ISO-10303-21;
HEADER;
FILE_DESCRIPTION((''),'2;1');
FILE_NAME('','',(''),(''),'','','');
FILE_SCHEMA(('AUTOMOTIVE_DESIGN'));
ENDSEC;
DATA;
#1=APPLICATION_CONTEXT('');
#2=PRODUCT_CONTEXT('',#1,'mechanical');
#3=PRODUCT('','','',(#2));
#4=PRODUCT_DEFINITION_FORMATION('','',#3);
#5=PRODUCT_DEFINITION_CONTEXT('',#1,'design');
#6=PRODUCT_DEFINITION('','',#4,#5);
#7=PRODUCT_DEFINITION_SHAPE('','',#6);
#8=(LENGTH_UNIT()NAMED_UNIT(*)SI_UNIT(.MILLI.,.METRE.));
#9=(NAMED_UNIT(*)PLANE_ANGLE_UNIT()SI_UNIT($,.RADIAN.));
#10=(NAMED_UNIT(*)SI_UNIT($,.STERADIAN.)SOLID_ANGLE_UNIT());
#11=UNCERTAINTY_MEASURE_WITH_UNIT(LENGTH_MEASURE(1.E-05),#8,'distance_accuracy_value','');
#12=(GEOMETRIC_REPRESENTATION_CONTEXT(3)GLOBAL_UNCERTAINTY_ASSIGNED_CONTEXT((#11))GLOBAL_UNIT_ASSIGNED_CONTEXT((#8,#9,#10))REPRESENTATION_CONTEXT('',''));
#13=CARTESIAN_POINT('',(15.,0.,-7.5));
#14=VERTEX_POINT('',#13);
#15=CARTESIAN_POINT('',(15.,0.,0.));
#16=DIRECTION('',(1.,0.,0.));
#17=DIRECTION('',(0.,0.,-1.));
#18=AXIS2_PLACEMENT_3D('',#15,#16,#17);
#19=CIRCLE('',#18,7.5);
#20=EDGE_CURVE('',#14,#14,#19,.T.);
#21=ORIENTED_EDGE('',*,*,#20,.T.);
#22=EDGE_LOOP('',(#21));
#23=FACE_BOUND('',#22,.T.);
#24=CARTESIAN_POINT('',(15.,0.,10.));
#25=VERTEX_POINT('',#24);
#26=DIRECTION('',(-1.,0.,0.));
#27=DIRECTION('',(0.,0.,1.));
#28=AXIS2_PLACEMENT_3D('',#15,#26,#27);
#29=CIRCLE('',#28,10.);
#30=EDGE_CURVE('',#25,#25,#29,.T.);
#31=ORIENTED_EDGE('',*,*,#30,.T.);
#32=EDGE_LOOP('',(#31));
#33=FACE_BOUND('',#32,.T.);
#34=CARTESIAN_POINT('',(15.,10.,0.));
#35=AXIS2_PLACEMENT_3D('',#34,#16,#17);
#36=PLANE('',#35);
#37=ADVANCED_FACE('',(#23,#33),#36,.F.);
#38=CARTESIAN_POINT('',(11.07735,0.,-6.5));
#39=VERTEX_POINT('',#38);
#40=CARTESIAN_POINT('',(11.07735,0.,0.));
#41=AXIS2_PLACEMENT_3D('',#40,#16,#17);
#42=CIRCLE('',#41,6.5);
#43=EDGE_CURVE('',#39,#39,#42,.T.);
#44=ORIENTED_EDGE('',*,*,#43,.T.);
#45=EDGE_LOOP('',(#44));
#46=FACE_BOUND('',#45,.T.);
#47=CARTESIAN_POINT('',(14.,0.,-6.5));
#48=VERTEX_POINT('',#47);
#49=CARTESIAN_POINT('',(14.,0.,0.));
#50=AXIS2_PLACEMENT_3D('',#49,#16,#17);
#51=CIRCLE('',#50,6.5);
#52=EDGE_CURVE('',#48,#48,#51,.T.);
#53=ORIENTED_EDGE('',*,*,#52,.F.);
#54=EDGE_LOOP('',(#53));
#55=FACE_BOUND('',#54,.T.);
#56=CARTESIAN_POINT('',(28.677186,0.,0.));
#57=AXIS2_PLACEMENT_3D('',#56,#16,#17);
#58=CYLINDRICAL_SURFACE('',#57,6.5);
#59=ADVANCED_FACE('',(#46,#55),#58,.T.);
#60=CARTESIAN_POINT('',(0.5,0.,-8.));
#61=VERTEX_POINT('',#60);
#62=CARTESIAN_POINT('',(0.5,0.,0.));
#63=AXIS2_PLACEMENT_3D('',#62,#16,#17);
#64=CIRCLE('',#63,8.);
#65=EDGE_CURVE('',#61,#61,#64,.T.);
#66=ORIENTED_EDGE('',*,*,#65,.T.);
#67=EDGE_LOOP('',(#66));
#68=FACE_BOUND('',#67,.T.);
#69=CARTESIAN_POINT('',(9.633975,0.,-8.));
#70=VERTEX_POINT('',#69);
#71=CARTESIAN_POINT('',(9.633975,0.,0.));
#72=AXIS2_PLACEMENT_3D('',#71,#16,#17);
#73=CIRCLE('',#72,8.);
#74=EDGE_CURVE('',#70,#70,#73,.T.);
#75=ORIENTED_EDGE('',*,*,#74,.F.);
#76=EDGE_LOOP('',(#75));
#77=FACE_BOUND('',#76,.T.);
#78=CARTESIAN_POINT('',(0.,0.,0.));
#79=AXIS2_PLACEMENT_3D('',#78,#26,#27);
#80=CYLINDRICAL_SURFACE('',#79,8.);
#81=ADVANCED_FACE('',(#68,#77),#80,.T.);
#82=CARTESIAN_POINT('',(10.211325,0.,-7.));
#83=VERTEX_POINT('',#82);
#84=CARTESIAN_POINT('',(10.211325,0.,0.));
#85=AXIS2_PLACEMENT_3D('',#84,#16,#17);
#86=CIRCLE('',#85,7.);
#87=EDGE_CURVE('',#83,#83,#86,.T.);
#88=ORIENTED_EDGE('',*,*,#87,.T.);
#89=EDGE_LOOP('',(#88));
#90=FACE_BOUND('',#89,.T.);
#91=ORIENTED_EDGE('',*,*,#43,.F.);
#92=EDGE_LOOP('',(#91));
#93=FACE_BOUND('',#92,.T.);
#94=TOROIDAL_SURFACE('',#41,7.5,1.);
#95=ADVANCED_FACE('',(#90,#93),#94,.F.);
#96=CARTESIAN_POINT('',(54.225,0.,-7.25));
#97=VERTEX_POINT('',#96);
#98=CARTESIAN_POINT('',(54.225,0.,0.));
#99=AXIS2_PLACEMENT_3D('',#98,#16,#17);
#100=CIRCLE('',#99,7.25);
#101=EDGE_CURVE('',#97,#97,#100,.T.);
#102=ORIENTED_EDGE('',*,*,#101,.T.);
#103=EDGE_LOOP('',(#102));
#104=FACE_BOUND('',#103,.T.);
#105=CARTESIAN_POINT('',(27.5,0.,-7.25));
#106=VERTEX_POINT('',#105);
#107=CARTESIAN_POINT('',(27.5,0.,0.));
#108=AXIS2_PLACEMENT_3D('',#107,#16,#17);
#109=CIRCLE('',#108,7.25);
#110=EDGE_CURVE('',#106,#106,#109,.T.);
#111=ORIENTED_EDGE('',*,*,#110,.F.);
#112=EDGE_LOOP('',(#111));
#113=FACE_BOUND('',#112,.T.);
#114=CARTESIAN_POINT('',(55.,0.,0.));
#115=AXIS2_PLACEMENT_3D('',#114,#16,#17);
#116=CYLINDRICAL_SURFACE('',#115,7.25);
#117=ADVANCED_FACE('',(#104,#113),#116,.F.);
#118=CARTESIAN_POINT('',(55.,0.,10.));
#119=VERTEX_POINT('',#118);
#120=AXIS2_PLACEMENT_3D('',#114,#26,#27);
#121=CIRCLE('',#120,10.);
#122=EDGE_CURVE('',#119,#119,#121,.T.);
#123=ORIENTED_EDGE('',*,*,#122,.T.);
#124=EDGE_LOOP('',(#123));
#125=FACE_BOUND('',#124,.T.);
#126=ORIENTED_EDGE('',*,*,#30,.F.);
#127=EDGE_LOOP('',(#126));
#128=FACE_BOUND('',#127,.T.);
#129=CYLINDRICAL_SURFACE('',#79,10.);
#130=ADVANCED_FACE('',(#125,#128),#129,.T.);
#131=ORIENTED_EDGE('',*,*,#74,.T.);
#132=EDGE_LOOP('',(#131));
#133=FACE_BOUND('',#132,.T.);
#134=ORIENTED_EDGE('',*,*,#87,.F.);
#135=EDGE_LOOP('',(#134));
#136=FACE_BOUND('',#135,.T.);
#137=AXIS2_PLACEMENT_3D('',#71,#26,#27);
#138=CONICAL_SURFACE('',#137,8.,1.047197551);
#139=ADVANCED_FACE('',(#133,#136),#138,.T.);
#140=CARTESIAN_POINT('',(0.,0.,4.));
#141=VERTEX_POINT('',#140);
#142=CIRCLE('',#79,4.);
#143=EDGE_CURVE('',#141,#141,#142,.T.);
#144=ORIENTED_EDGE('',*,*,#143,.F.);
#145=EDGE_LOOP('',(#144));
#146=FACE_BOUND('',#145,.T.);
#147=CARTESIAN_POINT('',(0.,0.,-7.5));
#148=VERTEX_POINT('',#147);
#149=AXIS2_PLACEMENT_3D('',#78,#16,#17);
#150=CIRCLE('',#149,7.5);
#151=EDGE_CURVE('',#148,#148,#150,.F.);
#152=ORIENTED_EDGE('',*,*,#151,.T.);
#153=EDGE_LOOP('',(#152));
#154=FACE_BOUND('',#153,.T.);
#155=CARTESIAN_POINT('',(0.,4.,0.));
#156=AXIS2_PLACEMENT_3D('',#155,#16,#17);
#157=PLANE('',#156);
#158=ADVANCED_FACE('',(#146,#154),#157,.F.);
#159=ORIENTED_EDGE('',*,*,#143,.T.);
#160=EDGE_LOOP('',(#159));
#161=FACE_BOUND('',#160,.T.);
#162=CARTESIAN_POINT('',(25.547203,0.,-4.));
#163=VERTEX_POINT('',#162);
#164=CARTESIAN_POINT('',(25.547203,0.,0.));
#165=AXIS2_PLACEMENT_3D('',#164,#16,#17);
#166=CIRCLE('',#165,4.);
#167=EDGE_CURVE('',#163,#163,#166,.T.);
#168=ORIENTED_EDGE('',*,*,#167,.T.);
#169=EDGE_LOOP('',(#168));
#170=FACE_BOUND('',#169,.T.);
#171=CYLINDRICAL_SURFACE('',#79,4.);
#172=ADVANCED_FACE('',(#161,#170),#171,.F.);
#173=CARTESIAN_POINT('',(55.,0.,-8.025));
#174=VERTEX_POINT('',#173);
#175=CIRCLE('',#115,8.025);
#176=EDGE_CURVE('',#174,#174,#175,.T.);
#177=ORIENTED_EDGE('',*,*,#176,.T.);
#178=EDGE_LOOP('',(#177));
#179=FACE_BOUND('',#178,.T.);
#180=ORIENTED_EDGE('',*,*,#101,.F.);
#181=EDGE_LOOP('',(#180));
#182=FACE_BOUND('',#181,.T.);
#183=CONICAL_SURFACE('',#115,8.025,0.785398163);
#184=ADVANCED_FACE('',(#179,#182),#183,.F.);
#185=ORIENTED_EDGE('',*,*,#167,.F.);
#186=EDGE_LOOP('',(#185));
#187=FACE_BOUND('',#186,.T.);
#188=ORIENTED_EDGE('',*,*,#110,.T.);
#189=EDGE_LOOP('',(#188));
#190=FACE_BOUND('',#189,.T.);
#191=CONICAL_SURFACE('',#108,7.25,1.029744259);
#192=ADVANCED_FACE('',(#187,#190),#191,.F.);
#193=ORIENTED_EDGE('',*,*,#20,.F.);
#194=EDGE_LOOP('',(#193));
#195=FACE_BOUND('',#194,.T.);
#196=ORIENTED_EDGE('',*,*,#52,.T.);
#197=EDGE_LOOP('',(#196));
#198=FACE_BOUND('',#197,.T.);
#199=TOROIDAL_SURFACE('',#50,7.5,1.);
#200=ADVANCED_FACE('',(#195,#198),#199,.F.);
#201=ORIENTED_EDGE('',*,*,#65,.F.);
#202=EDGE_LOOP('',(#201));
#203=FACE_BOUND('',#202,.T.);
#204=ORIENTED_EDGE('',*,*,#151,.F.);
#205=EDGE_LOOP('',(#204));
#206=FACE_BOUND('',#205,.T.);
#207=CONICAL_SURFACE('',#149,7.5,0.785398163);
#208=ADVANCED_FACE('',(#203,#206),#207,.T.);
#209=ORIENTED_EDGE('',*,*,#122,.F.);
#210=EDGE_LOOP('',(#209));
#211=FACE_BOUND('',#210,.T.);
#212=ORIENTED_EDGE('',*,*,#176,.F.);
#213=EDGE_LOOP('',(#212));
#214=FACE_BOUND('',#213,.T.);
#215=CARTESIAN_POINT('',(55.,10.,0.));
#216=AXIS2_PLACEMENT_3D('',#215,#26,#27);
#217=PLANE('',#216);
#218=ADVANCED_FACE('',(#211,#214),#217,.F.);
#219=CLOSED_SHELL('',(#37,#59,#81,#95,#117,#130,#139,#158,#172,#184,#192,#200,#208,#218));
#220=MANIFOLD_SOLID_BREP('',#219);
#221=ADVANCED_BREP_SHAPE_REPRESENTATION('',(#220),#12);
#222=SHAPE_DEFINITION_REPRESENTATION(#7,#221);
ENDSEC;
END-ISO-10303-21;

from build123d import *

# Parameters (mm, degrees)
M16X1_5_GEWINDEBOHRUNG1_D           = 14.5
M16X1_5_GEWINDEBOHRUNG1_DEPTH       = 27.5
M16X1_5_GEWINDEBOHRUNG1_CSINK_D     = 16.05
M16X1_5_GEWINDEBOHRUNG1_CSINK_ANGLE = 90
M16X1_5_GEWINDEBOHRUNG1_TIP         = 4.356239488
FASE1_SIZE                          = 0.5


with BuildPart() as part:
    # Skizze1 → Rotation1 (revolve)
    with BuildSketch(Plane.XY, mode=Mode.PRIVATE) as rotation1_sk:
        Polygon((55, 4), (0, 4), (0, 8), (15, 8), (15, 10), (55, 10), align=None)
    revolve(rotation1_sk.sketch.rotate(Axis((0, 0, 0), (1, 0, 0)), 90), axis=Axis((0, 0, 0), (1, 0, 0)))

    # M16x1.5 Gewindebohrung1
    with Locations(Plane(origin=(55, 0, 0), x_dir=(0, 0, -1), z_dir=(1, 0, 0))):
        with Locations((0, 0)):
            CounterSinkHole(M16X1_5_GEWINDEBOHRUNG1_D / 2, M16X1_5_GEWINDEBOHRUNG1_CSINK_D / 2, depth=M16X1_5_GEWINDEBOHRUNG1_DEPTH, counter_sink_angle=M16X1_5_GEWINDEBOHRUNG1_CSINK_ANGLE)
            with Locations((0, 0, -(M16X1_5_GEWINDEBOHRUNG1_DEPTH + M16X1_5_GEWINDEBOHRUNG1_TIP / 2))):  # 118° drill point
                Cone(0, M16X1_5_GEWINDEBOHRUNG1_D / 2, M16X1_5_GEWINDEBOHRUNG1_TIP, mode=Mode.SUBTRACT)

    # Fase1
    fase1_edges = [part.edges().sort_by_distance(p)[0] for p in [
        (0, 0, -8),
    ]]
    chamfer(fase1_edges, length=FASE1_SIZE)

    # Skizze31 → Schnitt-Rotation1 (revolve, cut)
    with BuildSketch(Plane(origin=(15, 0, 0), x_dir=(1, 0, 0), z_dir=(0, 0, 1)), mode=Mode.PRIVATE) as schnitt_rotation1_sk:
        with BuildLine():
            Line((-5.366025404, 8), (-4.788675135, 7))
            ThreePointArc((-4.788675135, 7), (-4.422649731, 6.633974596), (-3.922649731, 6.5))
            Line((-3.922649731, 6.5), (-1, 6.5))
            ThreePointArc((-1, 6.5), (-0.292893219, 6.792893219), (0, 7.5))
            Line((0, 7.5), (0, 8))
            Line((0, 8), (-5.366025404, 8))
        make_face()
    revolve(schnitt_rotation1_sk.sketch.rotate(Axis((28.677186203, 0, 0), (-1, 0, 0)), 90), axis=Axis((28.677186203, 0, 0), (-1, 0, 0)), mode=Mode.SUBTRACT)


solid = part.part
